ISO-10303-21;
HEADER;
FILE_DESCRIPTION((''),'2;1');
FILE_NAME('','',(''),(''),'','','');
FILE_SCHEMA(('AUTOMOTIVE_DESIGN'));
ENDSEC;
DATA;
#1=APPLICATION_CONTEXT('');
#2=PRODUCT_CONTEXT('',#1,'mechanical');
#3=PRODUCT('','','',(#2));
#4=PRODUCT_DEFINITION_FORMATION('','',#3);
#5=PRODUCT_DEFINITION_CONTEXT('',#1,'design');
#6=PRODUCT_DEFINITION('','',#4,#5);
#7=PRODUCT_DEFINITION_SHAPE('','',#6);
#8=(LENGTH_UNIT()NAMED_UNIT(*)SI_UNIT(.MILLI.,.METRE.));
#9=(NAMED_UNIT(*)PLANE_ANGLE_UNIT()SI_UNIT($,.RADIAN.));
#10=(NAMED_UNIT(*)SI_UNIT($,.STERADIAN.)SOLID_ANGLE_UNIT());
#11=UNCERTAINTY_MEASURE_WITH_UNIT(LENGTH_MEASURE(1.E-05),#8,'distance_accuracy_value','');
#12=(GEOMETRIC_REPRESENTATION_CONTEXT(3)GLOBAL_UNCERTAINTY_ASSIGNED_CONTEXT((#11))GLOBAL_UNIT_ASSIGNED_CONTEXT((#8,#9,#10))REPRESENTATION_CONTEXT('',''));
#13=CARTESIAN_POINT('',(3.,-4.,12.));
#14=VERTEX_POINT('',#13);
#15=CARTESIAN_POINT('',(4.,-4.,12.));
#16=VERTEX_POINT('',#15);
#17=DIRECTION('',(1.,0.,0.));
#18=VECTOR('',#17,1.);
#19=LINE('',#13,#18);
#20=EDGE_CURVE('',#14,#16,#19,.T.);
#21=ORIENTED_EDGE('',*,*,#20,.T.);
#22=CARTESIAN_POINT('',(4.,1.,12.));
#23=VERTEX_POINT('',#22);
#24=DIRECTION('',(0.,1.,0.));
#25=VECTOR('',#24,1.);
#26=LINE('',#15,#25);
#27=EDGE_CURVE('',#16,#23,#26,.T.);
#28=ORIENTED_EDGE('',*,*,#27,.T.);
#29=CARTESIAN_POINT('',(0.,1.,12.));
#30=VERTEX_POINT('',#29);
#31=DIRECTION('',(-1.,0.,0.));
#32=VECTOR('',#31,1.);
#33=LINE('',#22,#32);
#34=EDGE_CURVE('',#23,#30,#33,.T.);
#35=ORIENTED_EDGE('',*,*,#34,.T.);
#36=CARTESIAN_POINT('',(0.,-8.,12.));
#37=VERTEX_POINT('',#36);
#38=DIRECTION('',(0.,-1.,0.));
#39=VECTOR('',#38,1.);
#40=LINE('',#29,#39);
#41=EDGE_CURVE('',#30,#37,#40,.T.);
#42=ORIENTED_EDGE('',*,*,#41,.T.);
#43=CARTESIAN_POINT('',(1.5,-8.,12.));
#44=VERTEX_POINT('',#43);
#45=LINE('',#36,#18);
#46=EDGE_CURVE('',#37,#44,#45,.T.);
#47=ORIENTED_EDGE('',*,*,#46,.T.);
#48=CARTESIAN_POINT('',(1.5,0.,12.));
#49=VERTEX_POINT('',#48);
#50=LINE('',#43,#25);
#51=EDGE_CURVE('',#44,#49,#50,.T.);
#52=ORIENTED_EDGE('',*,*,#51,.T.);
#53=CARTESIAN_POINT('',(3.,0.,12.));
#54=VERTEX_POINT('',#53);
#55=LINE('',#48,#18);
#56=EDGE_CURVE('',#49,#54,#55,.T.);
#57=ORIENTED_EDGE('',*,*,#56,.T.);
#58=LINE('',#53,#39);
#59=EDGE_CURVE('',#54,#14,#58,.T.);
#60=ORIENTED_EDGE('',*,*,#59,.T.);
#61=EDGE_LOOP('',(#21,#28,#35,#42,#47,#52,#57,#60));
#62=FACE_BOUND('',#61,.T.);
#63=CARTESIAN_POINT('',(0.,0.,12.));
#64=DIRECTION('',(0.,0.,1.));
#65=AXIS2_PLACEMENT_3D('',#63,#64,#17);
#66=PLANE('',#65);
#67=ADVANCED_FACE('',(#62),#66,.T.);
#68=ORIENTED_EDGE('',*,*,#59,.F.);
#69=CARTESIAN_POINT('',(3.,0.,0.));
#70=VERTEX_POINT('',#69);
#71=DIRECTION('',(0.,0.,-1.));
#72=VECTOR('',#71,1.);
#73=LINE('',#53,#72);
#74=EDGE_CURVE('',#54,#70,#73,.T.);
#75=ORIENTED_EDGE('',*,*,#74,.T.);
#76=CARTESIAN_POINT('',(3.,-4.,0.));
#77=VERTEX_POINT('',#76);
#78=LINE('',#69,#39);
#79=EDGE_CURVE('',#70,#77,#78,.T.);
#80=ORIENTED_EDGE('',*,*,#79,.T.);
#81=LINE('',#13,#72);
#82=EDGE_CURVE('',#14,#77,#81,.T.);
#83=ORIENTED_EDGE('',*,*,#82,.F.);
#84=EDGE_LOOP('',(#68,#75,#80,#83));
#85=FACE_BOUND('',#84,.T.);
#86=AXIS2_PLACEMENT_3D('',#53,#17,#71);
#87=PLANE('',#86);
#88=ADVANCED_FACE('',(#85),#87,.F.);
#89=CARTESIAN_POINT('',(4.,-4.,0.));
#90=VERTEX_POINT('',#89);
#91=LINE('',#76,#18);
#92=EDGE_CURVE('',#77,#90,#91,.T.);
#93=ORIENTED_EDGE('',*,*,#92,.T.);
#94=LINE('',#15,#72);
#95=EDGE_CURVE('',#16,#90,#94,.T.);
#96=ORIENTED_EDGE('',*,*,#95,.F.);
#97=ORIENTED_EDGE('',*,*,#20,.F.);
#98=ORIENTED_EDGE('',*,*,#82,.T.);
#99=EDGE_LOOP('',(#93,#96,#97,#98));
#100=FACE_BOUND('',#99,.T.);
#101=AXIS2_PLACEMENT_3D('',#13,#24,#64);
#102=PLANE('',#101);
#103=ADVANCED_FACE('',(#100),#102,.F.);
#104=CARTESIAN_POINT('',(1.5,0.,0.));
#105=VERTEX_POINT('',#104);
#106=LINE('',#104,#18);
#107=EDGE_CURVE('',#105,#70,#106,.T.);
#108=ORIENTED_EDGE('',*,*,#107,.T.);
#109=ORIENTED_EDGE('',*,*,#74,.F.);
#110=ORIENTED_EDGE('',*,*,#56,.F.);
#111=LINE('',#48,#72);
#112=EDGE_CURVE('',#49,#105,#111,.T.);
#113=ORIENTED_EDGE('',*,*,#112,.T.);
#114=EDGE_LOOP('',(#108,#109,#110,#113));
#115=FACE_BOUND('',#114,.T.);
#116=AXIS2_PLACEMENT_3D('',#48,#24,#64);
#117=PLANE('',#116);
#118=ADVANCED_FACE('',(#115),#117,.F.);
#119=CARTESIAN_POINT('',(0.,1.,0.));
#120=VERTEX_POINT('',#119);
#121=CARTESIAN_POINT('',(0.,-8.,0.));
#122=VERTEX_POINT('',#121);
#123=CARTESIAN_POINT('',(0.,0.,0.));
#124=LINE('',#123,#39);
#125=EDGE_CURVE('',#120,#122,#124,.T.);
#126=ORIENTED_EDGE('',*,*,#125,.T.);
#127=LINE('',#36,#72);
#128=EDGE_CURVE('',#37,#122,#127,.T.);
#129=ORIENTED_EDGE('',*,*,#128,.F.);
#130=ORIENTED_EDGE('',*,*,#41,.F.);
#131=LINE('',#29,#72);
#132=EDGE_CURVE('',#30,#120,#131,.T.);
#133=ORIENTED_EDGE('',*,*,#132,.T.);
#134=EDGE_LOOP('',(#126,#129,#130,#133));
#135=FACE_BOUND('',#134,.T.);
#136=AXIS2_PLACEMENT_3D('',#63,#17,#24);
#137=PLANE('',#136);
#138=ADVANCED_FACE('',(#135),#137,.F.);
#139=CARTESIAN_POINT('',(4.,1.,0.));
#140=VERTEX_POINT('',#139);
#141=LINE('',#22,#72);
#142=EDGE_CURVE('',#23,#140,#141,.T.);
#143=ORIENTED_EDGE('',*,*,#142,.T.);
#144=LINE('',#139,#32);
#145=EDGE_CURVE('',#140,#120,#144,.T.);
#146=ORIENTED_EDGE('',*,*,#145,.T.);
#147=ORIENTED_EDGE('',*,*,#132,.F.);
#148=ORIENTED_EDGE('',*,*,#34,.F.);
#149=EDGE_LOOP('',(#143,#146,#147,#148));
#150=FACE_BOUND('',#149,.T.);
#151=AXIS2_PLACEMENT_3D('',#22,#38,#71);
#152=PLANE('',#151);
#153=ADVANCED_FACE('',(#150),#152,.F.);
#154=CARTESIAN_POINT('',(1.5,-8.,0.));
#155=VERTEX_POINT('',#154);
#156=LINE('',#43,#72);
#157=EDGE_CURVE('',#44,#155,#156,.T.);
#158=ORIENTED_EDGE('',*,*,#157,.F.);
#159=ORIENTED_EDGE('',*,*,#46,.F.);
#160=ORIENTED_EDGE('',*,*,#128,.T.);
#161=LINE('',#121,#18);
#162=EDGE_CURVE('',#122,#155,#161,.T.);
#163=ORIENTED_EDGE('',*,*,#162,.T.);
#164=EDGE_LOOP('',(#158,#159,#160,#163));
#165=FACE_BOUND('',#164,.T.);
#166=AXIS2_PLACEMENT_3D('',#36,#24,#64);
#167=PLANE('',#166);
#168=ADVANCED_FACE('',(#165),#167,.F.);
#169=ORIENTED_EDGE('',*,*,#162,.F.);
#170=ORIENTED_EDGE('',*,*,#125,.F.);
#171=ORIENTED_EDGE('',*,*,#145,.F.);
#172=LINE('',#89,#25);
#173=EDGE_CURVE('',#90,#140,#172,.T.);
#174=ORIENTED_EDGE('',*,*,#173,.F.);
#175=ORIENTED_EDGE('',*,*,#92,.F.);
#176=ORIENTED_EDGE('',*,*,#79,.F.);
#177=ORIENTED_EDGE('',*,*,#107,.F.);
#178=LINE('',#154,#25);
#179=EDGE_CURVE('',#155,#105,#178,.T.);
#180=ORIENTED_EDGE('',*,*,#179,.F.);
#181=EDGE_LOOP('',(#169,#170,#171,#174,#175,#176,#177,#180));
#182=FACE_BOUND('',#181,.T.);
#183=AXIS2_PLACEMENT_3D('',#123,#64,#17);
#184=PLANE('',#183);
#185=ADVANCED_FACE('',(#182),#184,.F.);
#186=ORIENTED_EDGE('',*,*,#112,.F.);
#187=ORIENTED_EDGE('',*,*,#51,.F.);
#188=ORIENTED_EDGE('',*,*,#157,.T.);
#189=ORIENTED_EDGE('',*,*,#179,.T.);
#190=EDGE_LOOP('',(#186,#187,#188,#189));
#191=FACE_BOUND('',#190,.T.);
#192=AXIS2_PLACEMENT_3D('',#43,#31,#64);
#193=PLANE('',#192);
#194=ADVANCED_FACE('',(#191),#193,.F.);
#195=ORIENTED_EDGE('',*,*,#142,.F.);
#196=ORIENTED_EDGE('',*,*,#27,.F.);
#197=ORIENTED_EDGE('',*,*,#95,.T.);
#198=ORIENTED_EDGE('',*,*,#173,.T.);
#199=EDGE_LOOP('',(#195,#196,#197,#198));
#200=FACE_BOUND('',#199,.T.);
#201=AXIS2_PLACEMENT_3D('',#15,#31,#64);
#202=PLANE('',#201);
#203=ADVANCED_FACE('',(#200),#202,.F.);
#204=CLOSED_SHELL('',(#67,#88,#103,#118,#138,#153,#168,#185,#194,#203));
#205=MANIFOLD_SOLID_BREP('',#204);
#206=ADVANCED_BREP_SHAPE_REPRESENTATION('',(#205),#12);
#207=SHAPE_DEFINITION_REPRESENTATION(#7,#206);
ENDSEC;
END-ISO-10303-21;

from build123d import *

# Parameters (mm, degrees)
EXTRUDE_1_DEPTH = 12


with BuildPart() as part:
    # 草图1 → 凸台-拉伸1 (new body)
    with BuildSketch(Plane.XY):
        Polygon((0, 0), (0, -8), (1.5, -8), (1.5, 0), (3, 0), (3, -4), (4, -4), (4, 1), (0, 1), align=None)
    extrude(amount=EXTRUDE_1_DEPTH)


solid = part.part
